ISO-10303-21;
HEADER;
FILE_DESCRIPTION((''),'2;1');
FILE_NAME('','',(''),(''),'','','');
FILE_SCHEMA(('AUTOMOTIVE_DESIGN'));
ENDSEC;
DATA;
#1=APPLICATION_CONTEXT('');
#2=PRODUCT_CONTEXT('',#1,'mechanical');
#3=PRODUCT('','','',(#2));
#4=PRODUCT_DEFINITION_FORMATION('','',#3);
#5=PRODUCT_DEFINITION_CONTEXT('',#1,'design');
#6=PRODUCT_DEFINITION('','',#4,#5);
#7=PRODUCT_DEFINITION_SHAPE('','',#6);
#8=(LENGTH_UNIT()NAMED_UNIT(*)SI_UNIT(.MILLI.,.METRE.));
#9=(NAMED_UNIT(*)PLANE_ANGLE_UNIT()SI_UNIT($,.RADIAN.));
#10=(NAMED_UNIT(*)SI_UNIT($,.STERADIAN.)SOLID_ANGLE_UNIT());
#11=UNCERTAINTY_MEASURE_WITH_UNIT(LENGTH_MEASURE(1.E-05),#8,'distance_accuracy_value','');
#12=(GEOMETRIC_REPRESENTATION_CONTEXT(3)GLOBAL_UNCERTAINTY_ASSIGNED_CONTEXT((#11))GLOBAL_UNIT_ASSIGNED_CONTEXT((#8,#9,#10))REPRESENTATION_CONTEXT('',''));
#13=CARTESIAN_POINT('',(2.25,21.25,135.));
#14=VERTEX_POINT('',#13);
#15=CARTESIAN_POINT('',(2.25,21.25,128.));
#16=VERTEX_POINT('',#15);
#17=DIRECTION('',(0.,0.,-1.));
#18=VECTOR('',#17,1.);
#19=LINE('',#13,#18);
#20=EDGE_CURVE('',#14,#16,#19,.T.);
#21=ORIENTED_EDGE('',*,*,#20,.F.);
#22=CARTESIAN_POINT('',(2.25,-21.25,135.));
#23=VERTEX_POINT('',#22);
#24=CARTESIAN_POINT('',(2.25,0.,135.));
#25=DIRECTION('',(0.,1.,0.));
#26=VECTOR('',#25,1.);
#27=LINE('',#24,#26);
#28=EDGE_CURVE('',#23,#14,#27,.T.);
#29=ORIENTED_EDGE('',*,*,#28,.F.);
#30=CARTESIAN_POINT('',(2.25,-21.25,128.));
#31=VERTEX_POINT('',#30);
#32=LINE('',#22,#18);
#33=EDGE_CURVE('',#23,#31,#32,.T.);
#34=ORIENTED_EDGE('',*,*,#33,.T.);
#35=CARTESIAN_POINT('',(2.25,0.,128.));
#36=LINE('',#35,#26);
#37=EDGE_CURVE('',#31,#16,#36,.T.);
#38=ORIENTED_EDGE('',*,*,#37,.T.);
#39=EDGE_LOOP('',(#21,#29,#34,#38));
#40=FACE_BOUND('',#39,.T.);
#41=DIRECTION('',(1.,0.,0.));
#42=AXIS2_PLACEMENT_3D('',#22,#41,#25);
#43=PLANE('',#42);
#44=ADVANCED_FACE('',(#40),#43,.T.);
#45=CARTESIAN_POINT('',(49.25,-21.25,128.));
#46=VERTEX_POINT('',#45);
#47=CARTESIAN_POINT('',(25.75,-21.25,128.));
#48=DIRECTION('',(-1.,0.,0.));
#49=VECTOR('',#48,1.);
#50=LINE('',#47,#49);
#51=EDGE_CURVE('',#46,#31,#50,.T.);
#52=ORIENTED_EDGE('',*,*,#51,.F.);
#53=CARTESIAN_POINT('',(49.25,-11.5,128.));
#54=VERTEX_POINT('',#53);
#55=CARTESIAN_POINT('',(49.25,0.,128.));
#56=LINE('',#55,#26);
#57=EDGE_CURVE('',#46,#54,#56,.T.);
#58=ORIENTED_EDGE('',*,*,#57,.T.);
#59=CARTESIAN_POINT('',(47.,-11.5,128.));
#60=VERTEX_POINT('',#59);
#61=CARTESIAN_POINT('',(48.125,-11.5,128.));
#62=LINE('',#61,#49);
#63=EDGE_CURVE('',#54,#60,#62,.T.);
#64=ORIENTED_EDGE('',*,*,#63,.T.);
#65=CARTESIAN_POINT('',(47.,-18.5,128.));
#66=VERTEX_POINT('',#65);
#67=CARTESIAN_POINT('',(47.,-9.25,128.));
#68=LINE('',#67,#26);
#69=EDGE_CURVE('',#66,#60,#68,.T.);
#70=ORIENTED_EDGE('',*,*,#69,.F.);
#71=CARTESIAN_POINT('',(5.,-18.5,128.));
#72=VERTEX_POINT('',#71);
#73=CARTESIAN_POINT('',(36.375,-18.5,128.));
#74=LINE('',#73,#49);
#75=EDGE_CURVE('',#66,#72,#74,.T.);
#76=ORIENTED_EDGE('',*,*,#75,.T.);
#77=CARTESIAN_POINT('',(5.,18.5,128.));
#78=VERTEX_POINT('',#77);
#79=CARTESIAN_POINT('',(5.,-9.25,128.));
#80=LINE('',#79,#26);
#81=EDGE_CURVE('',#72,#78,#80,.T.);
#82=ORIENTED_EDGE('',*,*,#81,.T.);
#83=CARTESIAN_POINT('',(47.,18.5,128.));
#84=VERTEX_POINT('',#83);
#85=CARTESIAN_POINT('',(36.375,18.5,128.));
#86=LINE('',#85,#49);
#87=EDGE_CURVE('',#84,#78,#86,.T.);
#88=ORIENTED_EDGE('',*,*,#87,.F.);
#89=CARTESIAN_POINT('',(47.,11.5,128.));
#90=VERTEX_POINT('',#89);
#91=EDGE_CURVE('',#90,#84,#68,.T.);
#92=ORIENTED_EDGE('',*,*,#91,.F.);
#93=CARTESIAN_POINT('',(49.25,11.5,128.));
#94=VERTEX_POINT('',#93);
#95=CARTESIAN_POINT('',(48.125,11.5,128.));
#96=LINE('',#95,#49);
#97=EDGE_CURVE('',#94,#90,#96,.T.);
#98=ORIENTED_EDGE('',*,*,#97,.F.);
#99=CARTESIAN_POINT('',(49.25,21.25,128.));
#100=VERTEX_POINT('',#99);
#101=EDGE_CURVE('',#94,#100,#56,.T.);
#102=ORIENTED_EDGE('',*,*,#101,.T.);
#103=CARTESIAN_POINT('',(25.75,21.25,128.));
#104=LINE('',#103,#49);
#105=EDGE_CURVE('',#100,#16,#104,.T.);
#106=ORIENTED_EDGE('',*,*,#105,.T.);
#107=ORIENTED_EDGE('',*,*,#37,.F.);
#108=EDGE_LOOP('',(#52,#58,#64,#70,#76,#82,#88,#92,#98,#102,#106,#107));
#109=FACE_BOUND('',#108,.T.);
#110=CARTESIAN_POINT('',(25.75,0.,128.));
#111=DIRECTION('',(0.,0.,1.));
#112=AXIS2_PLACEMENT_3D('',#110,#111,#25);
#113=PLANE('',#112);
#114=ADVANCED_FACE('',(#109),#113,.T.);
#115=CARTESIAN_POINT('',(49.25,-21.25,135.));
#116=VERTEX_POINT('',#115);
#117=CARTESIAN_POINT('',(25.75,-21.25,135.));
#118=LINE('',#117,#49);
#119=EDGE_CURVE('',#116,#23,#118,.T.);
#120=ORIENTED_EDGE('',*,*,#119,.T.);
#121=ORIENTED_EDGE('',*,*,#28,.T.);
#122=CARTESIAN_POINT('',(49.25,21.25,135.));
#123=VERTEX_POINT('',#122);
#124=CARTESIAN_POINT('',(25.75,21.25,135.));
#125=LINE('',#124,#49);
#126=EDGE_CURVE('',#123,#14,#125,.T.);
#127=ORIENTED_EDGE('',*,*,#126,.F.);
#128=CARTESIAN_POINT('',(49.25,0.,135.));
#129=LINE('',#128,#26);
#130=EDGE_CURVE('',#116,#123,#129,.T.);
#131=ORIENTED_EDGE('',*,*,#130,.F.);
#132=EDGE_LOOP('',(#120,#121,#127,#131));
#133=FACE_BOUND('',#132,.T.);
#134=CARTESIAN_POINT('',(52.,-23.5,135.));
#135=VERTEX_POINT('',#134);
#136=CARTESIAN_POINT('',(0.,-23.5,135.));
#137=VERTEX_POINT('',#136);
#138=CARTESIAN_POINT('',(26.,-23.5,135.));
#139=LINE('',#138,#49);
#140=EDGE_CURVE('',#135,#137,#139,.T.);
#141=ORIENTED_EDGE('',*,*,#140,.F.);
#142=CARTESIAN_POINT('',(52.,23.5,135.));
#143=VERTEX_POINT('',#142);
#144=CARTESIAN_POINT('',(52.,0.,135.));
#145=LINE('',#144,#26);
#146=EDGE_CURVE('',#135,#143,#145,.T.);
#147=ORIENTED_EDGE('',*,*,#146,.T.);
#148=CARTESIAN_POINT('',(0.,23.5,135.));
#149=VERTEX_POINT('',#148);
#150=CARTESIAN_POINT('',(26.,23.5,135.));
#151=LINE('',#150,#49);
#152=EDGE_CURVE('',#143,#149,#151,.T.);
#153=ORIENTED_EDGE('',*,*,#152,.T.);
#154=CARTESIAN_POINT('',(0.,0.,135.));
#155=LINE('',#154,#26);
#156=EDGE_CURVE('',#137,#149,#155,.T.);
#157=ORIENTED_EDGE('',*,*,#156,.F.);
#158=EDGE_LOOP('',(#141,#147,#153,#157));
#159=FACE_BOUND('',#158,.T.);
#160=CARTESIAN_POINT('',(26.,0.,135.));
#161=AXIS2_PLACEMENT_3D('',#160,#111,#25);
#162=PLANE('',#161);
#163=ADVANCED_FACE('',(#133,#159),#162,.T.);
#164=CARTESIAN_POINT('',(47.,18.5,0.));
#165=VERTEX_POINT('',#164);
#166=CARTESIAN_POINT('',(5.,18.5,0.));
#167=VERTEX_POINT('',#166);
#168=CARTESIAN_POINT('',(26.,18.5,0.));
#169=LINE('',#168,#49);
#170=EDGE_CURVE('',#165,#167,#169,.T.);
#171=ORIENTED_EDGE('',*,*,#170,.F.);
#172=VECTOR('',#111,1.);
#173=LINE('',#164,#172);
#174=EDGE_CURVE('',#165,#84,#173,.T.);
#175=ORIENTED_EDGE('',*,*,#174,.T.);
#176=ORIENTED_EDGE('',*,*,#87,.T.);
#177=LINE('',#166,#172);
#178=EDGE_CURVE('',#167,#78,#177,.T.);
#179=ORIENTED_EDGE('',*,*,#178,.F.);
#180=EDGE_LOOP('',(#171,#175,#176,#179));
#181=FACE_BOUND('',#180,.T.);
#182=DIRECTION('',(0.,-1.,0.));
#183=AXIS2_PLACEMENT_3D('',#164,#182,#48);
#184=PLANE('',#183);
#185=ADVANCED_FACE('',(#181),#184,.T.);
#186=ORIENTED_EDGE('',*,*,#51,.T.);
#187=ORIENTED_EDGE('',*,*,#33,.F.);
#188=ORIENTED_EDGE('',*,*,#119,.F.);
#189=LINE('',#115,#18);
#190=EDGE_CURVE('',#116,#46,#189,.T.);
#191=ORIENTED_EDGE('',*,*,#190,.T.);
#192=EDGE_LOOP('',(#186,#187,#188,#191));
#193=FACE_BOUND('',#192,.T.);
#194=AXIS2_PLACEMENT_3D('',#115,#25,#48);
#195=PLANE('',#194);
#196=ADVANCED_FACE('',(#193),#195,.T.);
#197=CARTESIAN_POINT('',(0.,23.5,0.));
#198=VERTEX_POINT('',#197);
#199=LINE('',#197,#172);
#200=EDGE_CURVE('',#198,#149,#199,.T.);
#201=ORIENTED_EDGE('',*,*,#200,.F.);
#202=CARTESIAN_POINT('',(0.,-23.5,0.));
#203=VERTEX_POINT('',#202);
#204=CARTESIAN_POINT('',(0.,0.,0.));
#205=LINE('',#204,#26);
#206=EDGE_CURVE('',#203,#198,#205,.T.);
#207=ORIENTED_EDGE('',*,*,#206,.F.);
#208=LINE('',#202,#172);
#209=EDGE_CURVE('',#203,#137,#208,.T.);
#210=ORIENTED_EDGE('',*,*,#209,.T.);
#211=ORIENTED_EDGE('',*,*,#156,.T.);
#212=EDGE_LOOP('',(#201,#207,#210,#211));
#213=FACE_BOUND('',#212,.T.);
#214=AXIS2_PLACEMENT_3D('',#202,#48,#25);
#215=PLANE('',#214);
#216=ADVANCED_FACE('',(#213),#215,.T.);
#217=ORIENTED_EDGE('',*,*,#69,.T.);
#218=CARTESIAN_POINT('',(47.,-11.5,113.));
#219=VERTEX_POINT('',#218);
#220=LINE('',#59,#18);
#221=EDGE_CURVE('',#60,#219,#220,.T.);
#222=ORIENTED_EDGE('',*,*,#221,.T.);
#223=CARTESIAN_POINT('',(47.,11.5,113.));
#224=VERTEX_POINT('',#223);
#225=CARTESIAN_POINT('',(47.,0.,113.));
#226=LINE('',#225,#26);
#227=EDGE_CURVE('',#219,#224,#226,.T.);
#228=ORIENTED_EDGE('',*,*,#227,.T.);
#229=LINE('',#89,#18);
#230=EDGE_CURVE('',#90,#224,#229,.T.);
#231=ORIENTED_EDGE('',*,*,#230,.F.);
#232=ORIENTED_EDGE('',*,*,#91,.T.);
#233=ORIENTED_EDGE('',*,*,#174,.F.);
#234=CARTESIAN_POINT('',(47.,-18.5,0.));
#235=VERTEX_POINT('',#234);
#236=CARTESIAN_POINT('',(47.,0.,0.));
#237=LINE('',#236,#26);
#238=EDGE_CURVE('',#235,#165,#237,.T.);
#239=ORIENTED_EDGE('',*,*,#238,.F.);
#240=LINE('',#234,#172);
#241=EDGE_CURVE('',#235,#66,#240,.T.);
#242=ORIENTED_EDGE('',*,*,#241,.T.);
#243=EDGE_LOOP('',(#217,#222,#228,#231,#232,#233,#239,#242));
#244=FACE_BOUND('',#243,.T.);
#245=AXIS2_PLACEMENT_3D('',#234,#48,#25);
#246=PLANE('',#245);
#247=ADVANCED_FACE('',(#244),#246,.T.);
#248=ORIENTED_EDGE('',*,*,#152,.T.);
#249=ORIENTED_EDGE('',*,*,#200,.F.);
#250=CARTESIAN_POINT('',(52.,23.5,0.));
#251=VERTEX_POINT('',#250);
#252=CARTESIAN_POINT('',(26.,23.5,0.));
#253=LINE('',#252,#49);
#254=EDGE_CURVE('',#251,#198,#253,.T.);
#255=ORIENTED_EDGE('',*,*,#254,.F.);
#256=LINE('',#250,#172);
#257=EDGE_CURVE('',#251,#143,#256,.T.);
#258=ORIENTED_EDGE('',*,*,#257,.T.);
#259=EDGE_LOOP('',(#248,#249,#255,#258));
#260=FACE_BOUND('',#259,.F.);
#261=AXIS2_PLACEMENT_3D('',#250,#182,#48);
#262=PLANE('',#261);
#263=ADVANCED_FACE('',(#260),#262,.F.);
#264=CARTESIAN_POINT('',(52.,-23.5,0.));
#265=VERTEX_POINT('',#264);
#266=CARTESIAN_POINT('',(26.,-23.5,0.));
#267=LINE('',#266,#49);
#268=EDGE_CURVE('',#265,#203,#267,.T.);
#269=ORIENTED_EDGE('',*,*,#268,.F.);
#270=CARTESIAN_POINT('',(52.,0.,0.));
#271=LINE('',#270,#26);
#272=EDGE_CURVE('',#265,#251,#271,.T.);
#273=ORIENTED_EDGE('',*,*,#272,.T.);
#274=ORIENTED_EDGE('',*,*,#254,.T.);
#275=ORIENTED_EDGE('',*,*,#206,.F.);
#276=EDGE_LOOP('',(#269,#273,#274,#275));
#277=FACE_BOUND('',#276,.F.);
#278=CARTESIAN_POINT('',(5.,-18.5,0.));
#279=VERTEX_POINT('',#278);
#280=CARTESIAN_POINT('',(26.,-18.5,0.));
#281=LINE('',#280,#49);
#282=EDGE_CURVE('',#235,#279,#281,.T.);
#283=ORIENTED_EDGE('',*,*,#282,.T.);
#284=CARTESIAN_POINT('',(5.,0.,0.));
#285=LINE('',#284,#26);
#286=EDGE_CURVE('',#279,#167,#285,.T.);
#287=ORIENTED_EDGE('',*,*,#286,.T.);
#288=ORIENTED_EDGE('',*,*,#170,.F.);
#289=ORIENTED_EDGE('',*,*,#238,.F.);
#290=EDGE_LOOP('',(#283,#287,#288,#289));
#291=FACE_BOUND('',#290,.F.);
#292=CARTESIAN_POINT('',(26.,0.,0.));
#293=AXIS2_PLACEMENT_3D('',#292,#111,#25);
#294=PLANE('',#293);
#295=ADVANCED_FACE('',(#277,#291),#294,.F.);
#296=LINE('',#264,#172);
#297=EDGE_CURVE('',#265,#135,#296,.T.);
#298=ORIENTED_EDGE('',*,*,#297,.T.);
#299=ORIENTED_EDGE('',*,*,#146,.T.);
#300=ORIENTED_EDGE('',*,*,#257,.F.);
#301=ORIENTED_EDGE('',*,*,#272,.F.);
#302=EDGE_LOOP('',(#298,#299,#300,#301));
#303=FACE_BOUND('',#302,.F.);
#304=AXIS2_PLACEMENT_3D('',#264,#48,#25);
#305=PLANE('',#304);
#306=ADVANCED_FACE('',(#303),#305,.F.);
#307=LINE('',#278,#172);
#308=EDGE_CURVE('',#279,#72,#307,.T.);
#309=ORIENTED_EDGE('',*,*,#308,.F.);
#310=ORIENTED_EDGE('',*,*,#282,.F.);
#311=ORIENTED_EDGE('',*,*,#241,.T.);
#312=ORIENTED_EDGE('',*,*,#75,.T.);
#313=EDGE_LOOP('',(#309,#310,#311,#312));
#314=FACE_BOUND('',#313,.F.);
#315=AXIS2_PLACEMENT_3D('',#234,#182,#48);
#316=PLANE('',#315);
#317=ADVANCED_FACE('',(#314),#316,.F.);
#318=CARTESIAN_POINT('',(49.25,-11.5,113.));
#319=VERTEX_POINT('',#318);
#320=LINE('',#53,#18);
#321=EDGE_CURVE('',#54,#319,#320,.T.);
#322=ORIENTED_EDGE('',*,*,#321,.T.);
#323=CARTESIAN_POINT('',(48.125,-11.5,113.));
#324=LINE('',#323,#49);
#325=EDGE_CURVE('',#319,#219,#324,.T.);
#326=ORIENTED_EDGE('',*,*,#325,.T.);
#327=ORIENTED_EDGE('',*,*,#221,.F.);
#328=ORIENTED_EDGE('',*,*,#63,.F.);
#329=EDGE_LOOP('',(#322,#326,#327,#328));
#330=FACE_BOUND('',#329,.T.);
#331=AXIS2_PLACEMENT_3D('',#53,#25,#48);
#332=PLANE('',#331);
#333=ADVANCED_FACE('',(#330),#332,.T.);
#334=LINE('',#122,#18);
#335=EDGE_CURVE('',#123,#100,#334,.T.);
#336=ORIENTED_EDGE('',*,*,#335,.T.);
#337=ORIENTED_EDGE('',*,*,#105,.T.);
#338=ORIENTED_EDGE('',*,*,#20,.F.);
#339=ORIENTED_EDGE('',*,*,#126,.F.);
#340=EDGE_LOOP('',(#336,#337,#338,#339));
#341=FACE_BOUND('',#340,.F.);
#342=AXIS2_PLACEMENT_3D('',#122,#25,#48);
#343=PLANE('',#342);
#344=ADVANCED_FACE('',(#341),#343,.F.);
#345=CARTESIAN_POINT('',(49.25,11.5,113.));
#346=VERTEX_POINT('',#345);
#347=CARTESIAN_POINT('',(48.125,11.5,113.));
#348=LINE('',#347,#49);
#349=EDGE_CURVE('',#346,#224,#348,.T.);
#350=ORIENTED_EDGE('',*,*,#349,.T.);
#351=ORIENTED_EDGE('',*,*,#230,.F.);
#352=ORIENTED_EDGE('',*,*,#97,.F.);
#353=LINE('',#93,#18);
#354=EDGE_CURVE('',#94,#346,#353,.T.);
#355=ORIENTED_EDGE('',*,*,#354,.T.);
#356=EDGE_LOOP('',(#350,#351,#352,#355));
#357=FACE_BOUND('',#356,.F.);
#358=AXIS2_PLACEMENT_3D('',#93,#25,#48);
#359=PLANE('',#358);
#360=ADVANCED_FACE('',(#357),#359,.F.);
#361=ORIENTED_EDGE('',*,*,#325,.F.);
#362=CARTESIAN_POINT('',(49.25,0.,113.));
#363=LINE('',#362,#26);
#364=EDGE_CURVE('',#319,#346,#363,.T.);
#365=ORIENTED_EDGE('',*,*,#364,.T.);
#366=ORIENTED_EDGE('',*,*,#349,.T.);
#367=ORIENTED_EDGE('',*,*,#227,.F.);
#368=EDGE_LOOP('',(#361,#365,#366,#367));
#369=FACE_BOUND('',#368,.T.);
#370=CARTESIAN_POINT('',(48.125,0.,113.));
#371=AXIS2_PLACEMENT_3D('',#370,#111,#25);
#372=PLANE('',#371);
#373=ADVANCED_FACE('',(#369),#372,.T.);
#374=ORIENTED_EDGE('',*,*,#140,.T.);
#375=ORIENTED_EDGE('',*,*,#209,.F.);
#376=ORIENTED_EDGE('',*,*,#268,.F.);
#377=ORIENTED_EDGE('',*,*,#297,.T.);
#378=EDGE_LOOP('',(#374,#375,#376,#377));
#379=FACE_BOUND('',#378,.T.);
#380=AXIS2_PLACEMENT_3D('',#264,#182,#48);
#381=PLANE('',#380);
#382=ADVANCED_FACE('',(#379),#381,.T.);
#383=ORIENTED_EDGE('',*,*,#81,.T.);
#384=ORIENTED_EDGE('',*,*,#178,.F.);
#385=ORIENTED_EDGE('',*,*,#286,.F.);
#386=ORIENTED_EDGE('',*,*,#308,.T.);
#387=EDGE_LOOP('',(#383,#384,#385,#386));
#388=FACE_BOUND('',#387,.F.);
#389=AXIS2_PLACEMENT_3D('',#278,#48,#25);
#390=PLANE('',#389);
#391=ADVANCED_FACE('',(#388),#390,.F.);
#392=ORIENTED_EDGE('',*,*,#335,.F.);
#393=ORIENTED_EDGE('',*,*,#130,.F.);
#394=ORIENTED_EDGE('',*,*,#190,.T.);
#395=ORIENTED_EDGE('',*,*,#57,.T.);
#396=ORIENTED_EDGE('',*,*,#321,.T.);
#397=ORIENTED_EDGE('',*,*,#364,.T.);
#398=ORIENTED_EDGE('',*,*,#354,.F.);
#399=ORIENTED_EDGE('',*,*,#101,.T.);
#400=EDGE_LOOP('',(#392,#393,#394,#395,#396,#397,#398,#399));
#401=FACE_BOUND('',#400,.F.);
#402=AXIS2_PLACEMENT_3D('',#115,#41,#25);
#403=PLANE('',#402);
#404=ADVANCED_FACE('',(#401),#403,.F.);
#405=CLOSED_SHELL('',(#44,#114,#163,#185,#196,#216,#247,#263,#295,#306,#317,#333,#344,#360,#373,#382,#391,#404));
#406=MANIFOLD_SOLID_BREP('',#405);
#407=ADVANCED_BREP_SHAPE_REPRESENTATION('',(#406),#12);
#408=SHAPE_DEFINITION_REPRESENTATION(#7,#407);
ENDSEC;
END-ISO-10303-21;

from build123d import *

# Parameters (mm, degrees)
SKETCH132_W             = 47
SKETCH132_H             = 52
SKETCH132_W_2           = 37
SKETCH132_H_2           = 42
PAD068_DEPTH            = 135
SKETCH134_W             = 42.5
SKETCH134_H             = 47
POCKET058_DEPTH         = 7
SKETCH130_W             = 23
SKETCH130_H             = 2.25
POCKET059_DEPTH         = 15
BODY038_PLACEMENT_ANGLE = 90


with BuildPart() as part:
    # Sketch132 → Pad068 (new body)
    with BuildSketch(Plane.XY):
        with Locations((0, -26)):
            Rectangle(SKETCH132_W, SKETCH132_H)
        with Locations((0, -26)):
            Rectangle(SKETCH132_W_2, SKETCH132_H_2, mode=Mode.SUBTRACT)
    extrude(amount=PAD068_DEPTH)

    # Sketch134 (on Face10 of Pad068) → Pocket058 (cut)
    with BuildSketch(Plane.XY.offset(135)):
        with Locations((0, -25.75)):
            Rectangle(SKETCH134_W, SKETCH134_H)
    extrude(amount=-POCKET058_DEPTH, mode=Mode.SUBTRACT)

    # Sketch130 (on Face15 of Pocket058) → Pocket059 (cut)
    with BuildSketch(Plane.XY.offset(128)):
        with Locations((0, -48.125)):
            Rectangle(SKETCH130_W, SKETCH130_H)
    extrude(amount=-POCKET059_DEPTH, mode=Mode.SUBTRACT)


with BuildPart() as part_1:
    # Body038 placement: moved
    add(part.part.rotate(Axis((0, 0, 0), (0, 0, 1)), BODY038_PLACEMENT_ANGLE))


solid = part_1.part
